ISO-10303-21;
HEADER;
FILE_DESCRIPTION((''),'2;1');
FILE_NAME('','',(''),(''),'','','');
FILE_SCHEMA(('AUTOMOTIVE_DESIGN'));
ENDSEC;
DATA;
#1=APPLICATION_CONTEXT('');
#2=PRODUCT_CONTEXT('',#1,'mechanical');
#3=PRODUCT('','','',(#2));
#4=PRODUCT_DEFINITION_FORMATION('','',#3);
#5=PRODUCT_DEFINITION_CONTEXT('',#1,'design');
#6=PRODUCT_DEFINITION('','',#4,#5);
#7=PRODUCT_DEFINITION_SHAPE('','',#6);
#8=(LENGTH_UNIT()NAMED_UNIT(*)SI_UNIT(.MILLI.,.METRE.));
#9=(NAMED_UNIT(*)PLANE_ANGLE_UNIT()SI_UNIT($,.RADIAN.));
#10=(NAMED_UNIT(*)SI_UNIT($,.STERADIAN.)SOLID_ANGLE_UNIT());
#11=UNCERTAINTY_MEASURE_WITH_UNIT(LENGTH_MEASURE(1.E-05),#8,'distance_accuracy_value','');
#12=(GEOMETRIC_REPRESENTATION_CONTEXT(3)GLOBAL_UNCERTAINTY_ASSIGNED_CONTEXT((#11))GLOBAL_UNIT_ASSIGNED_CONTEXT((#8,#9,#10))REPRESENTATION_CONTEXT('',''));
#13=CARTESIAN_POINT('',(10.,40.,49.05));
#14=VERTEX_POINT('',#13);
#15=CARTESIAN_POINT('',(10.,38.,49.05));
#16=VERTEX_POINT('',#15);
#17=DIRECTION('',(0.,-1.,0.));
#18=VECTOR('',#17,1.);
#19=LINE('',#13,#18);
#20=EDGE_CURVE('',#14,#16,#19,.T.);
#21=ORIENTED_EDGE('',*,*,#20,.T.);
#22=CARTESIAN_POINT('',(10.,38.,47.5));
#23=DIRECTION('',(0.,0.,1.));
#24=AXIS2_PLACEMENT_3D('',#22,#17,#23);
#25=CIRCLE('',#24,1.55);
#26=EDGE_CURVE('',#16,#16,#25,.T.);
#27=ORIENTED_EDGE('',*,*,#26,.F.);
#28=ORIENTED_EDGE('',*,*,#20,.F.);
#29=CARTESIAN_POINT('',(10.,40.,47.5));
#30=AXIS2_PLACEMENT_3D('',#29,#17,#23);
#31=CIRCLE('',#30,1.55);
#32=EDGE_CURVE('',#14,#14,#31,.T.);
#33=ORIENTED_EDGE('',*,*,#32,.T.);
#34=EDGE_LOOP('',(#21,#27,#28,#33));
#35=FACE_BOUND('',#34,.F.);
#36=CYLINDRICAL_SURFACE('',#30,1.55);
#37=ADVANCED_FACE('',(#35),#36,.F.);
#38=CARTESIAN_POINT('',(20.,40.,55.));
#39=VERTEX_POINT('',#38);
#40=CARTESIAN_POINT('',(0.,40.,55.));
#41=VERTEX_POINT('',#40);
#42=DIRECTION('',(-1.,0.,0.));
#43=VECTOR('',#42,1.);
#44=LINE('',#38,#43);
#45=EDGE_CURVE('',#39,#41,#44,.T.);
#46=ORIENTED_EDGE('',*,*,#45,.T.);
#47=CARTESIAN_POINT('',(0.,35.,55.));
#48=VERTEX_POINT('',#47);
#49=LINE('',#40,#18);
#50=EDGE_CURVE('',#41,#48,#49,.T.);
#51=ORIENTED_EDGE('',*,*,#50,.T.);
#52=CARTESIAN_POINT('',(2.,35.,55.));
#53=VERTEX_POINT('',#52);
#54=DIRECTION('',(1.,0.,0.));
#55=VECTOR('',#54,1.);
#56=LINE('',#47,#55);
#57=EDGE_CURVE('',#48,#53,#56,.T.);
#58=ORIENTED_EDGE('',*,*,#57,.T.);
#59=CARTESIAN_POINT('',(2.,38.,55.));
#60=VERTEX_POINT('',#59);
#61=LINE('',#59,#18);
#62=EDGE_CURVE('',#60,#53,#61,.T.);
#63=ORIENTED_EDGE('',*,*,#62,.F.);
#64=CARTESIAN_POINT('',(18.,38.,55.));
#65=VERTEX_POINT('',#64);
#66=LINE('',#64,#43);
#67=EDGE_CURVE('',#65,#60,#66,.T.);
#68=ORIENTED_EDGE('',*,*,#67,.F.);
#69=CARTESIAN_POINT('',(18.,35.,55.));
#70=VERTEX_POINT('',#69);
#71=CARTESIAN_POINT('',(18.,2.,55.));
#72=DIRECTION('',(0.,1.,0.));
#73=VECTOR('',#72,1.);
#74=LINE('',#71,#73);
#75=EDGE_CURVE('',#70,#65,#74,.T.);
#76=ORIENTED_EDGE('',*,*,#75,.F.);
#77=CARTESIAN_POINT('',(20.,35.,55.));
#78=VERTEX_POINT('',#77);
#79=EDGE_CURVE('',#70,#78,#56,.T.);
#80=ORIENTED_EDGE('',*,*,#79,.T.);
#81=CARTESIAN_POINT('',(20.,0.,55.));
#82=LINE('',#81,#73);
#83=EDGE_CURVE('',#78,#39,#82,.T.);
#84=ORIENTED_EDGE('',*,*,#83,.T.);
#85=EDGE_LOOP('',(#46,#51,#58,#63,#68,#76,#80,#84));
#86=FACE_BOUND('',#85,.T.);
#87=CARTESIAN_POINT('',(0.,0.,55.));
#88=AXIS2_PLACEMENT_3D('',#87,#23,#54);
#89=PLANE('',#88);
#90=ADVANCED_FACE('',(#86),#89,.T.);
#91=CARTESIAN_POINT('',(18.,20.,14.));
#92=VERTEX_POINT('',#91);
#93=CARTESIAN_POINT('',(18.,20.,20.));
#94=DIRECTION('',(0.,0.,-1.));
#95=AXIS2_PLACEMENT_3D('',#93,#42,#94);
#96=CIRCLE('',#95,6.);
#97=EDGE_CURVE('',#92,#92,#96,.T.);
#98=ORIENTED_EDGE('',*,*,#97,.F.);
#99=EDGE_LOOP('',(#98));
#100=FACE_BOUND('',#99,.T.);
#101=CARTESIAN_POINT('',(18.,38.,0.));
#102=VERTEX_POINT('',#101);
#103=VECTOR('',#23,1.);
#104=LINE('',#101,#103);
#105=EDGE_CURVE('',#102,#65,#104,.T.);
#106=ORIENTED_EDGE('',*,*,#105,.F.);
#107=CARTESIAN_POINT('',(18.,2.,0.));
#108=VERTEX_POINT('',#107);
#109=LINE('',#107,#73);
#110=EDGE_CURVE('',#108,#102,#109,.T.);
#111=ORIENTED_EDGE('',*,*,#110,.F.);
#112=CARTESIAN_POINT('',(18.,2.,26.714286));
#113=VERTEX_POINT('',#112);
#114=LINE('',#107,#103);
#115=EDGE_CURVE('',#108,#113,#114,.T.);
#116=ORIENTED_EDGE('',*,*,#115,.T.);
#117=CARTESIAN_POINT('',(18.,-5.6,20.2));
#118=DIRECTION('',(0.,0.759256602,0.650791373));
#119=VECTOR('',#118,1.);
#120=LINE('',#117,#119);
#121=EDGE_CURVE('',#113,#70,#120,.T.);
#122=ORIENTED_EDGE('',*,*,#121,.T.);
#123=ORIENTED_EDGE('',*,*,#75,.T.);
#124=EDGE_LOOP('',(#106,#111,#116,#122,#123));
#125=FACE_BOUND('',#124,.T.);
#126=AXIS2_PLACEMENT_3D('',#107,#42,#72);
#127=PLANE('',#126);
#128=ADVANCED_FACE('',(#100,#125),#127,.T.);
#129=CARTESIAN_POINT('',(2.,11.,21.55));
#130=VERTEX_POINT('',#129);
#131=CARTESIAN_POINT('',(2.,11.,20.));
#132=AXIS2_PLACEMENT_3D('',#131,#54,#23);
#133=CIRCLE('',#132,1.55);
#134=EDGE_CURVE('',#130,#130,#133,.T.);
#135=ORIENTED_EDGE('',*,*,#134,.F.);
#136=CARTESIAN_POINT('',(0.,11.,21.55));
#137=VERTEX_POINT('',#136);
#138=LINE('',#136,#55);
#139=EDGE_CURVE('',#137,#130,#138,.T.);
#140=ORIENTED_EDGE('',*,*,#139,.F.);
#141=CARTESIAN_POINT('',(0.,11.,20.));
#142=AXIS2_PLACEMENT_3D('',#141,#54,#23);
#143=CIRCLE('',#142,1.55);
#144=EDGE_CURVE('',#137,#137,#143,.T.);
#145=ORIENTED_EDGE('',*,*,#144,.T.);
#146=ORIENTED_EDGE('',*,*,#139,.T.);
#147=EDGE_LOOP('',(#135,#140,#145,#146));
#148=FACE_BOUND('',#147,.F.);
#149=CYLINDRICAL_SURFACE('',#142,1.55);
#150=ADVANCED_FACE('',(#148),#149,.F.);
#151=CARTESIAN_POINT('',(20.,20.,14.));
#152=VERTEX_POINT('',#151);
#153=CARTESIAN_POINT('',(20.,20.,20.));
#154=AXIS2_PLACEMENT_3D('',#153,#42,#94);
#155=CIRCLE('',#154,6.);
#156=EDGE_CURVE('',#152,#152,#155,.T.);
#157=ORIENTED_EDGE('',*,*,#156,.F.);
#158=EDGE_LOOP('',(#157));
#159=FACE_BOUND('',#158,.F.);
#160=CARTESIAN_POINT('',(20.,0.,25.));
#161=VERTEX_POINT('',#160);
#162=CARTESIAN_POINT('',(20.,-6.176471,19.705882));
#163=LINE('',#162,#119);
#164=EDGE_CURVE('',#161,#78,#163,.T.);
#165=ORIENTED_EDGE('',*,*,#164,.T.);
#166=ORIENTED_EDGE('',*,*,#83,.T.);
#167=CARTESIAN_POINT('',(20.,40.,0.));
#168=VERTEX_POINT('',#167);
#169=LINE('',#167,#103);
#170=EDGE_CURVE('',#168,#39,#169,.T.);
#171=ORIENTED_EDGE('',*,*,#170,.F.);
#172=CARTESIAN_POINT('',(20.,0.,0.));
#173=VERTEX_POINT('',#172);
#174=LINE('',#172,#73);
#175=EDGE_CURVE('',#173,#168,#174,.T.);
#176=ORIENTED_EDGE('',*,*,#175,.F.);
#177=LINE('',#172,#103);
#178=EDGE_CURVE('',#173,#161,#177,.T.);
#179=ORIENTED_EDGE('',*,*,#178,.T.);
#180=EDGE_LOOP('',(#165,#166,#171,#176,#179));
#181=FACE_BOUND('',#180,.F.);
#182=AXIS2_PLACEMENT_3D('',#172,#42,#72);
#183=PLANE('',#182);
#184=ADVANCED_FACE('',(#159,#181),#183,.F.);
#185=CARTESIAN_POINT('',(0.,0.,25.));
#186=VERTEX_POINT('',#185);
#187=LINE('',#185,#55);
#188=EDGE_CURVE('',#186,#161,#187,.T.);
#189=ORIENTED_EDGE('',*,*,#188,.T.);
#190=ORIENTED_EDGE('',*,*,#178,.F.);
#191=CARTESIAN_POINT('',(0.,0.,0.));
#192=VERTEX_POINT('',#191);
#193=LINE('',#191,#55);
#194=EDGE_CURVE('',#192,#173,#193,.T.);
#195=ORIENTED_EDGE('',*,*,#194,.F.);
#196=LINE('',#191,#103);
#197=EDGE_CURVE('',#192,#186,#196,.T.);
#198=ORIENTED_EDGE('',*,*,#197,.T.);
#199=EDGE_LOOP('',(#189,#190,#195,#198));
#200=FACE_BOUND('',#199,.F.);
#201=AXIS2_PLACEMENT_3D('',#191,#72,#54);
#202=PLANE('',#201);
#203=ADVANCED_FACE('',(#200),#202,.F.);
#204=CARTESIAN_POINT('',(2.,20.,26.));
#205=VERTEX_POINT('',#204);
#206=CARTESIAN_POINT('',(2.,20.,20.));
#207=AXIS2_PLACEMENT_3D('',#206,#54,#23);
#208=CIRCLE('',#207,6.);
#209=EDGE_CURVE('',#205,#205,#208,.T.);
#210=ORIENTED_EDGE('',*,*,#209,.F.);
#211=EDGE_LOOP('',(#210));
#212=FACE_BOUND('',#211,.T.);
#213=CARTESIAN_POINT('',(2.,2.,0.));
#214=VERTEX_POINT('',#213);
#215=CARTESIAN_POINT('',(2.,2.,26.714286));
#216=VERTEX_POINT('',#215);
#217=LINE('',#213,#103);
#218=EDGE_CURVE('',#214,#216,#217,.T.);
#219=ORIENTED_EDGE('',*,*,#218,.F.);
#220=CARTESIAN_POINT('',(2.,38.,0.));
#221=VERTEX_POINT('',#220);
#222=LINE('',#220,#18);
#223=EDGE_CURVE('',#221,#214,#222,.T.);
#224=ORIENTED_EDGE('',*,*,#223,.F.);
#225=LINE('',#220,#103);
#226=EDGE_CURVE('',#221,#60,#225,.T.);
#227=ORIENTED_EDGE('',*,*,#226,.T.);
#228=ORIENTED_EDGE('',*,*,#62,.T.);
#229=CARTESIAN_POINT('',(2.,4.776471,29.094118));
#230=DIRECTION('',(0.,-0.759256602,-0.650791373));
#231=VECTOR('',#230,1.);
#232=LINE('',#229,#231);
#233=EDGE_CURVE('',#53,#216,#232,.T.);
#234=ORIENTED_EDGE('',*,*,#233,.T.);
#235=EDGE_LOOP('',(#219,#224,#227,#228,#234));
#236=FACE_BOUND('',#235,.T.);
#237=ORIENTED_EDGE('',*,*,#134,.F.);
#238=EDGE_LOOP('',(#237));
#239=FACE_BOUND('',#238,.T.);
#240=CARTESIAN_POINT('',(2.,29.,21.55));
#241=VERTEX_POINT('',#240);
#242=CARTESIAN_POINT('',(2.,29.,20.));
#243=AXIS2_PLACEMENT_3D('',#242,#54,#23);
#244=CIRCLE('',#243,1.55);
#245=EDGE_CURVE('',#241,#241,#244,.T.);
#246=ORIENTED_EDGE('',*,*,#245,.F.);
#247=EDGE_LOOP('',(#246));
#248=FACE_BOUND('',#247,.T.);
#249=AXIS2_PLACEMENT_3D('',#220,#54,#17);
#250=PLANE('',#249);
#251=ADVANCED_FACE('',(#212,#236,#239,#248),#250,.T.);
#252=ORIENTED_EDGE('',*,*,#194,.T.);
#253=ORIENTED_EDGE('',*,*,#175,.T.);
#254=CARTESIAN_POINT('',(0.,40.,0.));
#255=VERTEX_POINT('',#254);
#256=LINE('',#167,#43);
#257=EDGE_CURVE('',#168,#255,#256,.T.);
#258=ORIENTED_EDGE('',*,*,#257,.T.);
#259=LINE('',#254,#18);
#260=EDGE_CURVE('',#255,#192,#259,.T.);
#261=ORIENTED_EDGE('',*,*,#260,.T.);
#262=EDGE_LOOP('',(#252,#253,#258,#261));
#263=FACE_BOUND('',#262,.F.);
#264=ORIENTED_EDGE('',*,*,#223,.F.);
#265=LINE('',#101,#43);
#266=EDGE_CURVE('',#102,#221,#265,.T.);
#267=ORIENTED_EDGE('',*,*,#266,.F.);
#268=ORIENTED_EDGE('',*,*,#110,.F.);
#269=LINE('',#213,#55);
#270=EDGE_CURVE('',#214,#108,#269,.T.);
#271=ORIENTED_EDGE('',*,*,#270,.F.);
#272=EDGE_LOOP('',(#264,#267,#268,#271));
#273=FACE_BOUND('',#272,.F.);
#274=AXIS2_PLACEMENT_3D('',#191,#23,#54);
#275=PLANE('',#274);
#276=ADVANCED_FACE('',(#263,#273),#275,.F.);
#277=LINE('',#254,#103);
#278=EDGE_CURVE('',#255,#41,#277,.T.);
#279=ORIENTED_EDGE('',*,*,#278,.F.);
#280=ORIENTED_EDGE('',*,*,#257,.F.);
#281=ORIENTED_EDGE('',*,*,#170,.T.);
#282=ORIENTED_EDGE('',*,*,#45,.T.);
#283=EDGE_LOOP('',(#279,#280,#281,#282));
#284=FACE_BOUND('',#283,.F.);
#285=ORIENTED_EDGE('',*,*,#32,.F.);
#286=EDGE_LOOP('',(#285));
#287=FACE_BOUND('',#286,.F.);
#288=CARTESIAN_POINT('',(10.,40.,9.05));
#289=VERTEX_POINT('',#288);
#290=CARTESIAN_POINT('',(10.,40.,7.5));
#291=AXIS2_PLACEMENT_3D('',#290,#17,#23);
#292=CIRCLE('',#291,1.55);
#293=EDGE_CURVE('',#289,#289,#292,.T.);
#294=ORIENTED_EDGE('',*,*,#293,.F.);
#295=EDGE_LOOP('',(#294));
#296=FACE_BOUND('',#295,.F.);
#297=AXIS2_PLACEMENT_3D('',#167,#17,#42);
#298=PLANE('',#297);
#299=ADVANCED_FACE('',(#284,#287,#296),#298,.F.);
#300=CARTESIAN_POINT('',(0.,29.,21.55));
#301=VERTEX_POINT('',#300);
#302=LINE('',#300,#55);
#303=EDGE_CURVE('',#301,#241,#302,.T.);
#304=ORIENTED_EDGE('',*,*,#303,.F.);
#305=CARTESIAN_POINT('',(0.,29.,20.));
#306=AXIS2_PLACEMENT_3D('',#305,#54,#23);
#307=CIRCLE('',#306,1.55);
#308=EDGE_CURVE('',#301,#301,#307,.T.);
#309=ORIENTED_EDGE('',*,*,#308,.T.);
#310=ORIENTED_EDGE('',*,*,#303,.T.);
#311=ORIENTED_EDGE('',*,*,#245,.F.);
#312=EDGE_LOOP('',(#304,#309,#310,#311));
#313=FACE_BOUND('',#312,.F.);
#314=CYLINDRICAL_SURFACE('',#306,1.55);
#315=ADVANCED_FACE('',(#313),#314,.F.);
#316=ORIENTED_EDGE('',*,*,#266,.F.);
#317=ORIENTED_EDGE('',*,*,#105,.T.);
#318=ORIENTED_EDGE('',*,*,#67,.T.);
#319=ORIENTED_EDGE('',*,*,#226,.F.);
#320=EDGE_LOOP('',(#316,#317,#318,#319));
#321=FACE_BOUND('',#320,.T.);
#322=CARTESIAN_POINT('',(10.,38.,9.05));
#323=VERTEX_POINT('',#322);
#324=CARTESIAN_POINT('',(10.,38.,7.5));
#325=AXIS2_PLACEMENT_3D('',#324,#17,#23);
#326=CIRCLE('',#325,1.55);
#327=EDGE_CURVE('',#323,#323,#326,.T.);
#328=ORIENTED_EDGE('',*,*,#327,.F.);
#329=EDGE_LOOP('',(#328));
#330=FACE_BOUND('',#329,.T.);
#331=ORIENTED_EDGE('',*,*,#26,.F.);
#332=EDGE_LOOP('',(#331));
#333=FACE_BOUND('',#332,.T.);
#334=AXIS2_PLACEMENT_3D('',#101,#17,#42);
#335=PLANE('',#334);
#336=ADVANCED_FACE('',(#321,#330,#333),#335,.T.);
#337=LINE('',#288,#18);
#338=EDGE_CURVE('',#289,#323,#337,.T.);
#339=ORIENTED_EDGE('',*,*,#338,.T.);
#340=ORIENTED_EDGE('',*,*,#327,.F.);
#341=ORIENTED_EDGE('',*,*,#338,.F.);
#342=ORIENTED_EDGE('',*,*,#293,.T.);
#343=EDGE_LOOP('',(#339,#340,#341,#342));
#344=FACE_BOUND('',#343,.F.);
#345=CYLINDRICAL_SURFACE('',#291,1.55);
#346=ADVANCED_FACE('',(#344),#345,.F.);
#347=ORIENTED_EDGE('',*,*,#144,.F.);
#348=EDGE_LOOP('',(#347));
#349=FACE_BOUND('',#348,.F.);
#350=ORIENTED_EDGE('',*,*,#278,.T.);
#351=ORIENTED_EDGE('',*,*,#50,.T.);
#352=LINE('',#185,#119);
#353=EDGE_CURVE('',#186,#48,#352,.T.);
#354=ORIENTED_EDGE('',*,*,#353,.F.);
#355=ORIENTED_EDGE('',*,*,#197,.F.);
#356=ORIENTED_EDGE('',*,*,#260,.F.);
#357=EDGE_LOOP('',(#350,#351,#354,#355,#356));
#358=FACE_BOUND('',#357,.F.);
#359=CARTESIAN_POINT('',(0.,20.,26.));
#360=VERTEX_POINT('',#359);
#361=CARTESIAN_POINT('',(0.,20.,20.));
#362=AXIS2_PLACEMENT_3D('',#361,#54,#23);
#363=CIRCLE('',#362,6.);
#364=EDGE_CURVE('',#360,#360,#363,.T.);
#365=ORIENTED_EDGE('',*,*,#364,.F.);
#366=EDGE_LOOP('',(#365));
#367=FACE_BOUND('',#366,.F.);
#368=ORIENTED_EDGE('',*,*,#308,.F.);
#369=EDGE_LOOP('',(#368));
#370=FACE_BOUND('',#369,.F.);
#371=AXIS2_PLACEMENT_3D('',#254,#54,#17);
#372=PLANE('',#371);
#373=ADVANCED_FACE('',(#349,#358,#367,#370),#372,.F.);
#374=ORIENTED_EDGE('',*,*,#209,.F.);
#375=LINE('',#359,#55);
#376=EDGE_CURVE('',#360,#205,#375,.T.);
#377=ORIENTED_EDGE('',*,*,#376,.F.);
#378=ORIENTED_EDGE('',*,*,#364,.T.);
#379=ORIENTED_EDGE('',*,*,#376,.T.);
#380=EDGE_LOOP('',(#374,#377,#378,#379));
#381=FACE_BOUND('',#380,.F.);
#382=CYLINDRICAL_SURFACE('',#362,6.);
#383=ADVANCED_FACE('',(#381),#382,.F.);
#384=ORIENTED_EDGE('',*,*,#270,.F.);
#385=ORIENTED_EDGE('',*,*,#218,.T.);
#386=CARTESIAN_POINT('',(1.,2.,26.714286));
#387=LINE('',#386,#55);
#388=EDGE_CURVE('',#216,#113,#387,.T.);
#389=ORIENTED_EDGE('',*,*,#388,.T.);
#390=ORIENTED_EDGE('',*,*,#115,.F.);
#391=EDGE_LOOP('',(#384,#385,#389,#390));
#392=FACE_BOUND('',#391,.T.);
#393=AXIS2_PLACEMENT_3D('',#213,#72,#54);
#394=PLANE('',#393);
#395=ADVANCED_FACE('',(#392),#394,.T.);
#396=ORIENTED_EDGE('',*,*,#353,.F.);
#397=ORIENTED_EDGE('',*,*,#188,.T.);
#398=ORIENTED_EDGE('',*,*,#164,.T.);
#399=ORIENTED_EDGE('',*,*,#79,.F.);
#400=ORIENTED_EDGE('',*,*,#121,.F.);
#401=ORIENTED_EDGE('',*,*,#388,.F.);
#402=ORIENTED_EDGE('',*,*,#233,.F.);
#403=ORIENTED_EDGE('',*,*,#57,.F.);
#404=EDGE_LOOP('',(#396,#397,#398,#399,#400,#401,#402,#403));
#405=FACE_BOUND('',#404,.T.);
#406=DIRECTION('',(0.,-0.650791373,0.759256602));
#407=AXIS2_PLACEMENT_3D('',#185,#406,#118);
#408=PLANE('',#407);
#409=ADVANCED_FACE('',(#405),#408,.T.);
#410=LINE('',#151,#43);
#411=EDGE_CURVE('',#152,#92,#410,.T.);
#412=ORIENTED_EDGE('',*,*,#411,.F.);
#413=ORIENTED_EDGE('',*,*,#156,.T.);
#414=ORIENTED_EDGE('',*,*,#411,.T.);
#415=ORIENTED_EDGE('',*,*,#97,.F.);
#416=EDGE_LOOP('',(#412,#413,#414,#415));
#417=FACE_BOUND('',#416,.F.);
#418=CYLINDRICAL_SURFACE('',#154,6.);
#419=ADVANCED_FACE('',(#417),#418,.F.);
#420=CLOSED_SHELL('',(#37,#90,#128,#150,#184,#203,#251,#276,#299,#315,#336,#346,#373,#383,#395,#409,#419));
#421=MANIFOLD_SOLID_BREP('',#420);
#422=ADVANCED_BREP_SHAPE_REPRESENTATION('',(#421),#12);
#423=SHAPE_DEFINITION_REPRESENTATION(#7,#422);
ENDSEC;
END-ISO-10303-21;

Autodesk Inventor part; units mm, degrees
ref_plane "YZ Plane" through (0, 0, 0) normal (1, 0, 0) x (0, 1, 0)
ref_plane "XZ Plane" through (0, 0, 0) normal (0, 1, 0) x (-1, 0, 0)
ref_plane "XY Plane" through (0, 0, 0) normal (0, 0, 1) x (1, 0, 0)
sketch "スケッチ1" plane through (0, 0, 0) normal (0, 0, 1) x (1, 0, 0)
  line L0 (0, 0) -> (20, 0)
  line L1 (20, 0) -> (20, 40)
  line L2 (20, 40) -> (0, 40)
  line L3 (0, 40) -> (0, 0)
  line L4 (2, 2) -> (18, 2)
  line L5 (18, 2) -> (18, 38)
  line L6 (18, 38) -> (2, 38)
  line L7 (2, 38) -> (2, 2)
  dimension "d0" = 20
  dimension "d1" = 40
  dimension "d2" = 2
extrude "押し出し1" add sketch "スケッチ1" along normal blind 55
sketch "スケッチ2" plane through (20, 0, 0) normal (1, 0, 0) x (0, 0, -1)
  line L0 (0, 0) -> (0, 40) projected
  point P0 (-20, 20)
  dimension "d5" = 20
hole "穴1" at (20, 20, 20) direction (-1, 0, 0) diameter 12 depth 2
sketch "スケッチ3" plane through (0, 0, 0) normal (-1, 0, 0) x (0, 0, 1)
  line L0 (0, 40) -> (0, 0) projected
  line L1 (0, 40) -> (55, 40) projected
  point P0 (20, 20)
  point P1 (20, 11)
  point P2 (20, 29)
  dimension "d13" = 20
  dimension "d14" = 20
  dimension "d15" = 9
  dimension "d16" = 9
hole "穴2" at (0, 20, 20) direction (1, 0, 0) diameter 12 depth 2
hole "穴3" at (0, 11, 20) at (0, 29, 20) direction (1, 0, 0) diameter 3.1 depth 2
sketch "スケッチ4" plane through (0, 40, 0) normal (0, 1, 0) x (1, 0, 0)
  line L0 (20, 0) -> (0, 0) projected
  point P0 (10, -7.5)
  point P1 (10, -47.5)
  dimension "d31" = 7.5
  dimension "d32" = 47.5
hole "穴4" at (10, 40, 7.5) at (10, 40, 47.5) direction (0, -1, 0) diameter 3.1 depth 2
sketch "スケッチ5" plane through (0, 0, 0) normal (-1, 0, 0) x (0, 0, 1)
  line L0 (0, 0) -> (55, 0) projected
  line L1 (25, 0) -> (55, 35)
  line L2 (55, 2) -> (55, 38) projected
  line L3 (55, 40) -> (55, 0) projected
  dimension "d40" = 30
  dimension "d41" = 35
extrude "押し出し2" cut sketch "スケッチ5" against normal blind 55
equation "\"d16\" = d15"
properties part number "SU22_SQP_20_40_EU_sn" material "アルミニウム 6061-AHC"
